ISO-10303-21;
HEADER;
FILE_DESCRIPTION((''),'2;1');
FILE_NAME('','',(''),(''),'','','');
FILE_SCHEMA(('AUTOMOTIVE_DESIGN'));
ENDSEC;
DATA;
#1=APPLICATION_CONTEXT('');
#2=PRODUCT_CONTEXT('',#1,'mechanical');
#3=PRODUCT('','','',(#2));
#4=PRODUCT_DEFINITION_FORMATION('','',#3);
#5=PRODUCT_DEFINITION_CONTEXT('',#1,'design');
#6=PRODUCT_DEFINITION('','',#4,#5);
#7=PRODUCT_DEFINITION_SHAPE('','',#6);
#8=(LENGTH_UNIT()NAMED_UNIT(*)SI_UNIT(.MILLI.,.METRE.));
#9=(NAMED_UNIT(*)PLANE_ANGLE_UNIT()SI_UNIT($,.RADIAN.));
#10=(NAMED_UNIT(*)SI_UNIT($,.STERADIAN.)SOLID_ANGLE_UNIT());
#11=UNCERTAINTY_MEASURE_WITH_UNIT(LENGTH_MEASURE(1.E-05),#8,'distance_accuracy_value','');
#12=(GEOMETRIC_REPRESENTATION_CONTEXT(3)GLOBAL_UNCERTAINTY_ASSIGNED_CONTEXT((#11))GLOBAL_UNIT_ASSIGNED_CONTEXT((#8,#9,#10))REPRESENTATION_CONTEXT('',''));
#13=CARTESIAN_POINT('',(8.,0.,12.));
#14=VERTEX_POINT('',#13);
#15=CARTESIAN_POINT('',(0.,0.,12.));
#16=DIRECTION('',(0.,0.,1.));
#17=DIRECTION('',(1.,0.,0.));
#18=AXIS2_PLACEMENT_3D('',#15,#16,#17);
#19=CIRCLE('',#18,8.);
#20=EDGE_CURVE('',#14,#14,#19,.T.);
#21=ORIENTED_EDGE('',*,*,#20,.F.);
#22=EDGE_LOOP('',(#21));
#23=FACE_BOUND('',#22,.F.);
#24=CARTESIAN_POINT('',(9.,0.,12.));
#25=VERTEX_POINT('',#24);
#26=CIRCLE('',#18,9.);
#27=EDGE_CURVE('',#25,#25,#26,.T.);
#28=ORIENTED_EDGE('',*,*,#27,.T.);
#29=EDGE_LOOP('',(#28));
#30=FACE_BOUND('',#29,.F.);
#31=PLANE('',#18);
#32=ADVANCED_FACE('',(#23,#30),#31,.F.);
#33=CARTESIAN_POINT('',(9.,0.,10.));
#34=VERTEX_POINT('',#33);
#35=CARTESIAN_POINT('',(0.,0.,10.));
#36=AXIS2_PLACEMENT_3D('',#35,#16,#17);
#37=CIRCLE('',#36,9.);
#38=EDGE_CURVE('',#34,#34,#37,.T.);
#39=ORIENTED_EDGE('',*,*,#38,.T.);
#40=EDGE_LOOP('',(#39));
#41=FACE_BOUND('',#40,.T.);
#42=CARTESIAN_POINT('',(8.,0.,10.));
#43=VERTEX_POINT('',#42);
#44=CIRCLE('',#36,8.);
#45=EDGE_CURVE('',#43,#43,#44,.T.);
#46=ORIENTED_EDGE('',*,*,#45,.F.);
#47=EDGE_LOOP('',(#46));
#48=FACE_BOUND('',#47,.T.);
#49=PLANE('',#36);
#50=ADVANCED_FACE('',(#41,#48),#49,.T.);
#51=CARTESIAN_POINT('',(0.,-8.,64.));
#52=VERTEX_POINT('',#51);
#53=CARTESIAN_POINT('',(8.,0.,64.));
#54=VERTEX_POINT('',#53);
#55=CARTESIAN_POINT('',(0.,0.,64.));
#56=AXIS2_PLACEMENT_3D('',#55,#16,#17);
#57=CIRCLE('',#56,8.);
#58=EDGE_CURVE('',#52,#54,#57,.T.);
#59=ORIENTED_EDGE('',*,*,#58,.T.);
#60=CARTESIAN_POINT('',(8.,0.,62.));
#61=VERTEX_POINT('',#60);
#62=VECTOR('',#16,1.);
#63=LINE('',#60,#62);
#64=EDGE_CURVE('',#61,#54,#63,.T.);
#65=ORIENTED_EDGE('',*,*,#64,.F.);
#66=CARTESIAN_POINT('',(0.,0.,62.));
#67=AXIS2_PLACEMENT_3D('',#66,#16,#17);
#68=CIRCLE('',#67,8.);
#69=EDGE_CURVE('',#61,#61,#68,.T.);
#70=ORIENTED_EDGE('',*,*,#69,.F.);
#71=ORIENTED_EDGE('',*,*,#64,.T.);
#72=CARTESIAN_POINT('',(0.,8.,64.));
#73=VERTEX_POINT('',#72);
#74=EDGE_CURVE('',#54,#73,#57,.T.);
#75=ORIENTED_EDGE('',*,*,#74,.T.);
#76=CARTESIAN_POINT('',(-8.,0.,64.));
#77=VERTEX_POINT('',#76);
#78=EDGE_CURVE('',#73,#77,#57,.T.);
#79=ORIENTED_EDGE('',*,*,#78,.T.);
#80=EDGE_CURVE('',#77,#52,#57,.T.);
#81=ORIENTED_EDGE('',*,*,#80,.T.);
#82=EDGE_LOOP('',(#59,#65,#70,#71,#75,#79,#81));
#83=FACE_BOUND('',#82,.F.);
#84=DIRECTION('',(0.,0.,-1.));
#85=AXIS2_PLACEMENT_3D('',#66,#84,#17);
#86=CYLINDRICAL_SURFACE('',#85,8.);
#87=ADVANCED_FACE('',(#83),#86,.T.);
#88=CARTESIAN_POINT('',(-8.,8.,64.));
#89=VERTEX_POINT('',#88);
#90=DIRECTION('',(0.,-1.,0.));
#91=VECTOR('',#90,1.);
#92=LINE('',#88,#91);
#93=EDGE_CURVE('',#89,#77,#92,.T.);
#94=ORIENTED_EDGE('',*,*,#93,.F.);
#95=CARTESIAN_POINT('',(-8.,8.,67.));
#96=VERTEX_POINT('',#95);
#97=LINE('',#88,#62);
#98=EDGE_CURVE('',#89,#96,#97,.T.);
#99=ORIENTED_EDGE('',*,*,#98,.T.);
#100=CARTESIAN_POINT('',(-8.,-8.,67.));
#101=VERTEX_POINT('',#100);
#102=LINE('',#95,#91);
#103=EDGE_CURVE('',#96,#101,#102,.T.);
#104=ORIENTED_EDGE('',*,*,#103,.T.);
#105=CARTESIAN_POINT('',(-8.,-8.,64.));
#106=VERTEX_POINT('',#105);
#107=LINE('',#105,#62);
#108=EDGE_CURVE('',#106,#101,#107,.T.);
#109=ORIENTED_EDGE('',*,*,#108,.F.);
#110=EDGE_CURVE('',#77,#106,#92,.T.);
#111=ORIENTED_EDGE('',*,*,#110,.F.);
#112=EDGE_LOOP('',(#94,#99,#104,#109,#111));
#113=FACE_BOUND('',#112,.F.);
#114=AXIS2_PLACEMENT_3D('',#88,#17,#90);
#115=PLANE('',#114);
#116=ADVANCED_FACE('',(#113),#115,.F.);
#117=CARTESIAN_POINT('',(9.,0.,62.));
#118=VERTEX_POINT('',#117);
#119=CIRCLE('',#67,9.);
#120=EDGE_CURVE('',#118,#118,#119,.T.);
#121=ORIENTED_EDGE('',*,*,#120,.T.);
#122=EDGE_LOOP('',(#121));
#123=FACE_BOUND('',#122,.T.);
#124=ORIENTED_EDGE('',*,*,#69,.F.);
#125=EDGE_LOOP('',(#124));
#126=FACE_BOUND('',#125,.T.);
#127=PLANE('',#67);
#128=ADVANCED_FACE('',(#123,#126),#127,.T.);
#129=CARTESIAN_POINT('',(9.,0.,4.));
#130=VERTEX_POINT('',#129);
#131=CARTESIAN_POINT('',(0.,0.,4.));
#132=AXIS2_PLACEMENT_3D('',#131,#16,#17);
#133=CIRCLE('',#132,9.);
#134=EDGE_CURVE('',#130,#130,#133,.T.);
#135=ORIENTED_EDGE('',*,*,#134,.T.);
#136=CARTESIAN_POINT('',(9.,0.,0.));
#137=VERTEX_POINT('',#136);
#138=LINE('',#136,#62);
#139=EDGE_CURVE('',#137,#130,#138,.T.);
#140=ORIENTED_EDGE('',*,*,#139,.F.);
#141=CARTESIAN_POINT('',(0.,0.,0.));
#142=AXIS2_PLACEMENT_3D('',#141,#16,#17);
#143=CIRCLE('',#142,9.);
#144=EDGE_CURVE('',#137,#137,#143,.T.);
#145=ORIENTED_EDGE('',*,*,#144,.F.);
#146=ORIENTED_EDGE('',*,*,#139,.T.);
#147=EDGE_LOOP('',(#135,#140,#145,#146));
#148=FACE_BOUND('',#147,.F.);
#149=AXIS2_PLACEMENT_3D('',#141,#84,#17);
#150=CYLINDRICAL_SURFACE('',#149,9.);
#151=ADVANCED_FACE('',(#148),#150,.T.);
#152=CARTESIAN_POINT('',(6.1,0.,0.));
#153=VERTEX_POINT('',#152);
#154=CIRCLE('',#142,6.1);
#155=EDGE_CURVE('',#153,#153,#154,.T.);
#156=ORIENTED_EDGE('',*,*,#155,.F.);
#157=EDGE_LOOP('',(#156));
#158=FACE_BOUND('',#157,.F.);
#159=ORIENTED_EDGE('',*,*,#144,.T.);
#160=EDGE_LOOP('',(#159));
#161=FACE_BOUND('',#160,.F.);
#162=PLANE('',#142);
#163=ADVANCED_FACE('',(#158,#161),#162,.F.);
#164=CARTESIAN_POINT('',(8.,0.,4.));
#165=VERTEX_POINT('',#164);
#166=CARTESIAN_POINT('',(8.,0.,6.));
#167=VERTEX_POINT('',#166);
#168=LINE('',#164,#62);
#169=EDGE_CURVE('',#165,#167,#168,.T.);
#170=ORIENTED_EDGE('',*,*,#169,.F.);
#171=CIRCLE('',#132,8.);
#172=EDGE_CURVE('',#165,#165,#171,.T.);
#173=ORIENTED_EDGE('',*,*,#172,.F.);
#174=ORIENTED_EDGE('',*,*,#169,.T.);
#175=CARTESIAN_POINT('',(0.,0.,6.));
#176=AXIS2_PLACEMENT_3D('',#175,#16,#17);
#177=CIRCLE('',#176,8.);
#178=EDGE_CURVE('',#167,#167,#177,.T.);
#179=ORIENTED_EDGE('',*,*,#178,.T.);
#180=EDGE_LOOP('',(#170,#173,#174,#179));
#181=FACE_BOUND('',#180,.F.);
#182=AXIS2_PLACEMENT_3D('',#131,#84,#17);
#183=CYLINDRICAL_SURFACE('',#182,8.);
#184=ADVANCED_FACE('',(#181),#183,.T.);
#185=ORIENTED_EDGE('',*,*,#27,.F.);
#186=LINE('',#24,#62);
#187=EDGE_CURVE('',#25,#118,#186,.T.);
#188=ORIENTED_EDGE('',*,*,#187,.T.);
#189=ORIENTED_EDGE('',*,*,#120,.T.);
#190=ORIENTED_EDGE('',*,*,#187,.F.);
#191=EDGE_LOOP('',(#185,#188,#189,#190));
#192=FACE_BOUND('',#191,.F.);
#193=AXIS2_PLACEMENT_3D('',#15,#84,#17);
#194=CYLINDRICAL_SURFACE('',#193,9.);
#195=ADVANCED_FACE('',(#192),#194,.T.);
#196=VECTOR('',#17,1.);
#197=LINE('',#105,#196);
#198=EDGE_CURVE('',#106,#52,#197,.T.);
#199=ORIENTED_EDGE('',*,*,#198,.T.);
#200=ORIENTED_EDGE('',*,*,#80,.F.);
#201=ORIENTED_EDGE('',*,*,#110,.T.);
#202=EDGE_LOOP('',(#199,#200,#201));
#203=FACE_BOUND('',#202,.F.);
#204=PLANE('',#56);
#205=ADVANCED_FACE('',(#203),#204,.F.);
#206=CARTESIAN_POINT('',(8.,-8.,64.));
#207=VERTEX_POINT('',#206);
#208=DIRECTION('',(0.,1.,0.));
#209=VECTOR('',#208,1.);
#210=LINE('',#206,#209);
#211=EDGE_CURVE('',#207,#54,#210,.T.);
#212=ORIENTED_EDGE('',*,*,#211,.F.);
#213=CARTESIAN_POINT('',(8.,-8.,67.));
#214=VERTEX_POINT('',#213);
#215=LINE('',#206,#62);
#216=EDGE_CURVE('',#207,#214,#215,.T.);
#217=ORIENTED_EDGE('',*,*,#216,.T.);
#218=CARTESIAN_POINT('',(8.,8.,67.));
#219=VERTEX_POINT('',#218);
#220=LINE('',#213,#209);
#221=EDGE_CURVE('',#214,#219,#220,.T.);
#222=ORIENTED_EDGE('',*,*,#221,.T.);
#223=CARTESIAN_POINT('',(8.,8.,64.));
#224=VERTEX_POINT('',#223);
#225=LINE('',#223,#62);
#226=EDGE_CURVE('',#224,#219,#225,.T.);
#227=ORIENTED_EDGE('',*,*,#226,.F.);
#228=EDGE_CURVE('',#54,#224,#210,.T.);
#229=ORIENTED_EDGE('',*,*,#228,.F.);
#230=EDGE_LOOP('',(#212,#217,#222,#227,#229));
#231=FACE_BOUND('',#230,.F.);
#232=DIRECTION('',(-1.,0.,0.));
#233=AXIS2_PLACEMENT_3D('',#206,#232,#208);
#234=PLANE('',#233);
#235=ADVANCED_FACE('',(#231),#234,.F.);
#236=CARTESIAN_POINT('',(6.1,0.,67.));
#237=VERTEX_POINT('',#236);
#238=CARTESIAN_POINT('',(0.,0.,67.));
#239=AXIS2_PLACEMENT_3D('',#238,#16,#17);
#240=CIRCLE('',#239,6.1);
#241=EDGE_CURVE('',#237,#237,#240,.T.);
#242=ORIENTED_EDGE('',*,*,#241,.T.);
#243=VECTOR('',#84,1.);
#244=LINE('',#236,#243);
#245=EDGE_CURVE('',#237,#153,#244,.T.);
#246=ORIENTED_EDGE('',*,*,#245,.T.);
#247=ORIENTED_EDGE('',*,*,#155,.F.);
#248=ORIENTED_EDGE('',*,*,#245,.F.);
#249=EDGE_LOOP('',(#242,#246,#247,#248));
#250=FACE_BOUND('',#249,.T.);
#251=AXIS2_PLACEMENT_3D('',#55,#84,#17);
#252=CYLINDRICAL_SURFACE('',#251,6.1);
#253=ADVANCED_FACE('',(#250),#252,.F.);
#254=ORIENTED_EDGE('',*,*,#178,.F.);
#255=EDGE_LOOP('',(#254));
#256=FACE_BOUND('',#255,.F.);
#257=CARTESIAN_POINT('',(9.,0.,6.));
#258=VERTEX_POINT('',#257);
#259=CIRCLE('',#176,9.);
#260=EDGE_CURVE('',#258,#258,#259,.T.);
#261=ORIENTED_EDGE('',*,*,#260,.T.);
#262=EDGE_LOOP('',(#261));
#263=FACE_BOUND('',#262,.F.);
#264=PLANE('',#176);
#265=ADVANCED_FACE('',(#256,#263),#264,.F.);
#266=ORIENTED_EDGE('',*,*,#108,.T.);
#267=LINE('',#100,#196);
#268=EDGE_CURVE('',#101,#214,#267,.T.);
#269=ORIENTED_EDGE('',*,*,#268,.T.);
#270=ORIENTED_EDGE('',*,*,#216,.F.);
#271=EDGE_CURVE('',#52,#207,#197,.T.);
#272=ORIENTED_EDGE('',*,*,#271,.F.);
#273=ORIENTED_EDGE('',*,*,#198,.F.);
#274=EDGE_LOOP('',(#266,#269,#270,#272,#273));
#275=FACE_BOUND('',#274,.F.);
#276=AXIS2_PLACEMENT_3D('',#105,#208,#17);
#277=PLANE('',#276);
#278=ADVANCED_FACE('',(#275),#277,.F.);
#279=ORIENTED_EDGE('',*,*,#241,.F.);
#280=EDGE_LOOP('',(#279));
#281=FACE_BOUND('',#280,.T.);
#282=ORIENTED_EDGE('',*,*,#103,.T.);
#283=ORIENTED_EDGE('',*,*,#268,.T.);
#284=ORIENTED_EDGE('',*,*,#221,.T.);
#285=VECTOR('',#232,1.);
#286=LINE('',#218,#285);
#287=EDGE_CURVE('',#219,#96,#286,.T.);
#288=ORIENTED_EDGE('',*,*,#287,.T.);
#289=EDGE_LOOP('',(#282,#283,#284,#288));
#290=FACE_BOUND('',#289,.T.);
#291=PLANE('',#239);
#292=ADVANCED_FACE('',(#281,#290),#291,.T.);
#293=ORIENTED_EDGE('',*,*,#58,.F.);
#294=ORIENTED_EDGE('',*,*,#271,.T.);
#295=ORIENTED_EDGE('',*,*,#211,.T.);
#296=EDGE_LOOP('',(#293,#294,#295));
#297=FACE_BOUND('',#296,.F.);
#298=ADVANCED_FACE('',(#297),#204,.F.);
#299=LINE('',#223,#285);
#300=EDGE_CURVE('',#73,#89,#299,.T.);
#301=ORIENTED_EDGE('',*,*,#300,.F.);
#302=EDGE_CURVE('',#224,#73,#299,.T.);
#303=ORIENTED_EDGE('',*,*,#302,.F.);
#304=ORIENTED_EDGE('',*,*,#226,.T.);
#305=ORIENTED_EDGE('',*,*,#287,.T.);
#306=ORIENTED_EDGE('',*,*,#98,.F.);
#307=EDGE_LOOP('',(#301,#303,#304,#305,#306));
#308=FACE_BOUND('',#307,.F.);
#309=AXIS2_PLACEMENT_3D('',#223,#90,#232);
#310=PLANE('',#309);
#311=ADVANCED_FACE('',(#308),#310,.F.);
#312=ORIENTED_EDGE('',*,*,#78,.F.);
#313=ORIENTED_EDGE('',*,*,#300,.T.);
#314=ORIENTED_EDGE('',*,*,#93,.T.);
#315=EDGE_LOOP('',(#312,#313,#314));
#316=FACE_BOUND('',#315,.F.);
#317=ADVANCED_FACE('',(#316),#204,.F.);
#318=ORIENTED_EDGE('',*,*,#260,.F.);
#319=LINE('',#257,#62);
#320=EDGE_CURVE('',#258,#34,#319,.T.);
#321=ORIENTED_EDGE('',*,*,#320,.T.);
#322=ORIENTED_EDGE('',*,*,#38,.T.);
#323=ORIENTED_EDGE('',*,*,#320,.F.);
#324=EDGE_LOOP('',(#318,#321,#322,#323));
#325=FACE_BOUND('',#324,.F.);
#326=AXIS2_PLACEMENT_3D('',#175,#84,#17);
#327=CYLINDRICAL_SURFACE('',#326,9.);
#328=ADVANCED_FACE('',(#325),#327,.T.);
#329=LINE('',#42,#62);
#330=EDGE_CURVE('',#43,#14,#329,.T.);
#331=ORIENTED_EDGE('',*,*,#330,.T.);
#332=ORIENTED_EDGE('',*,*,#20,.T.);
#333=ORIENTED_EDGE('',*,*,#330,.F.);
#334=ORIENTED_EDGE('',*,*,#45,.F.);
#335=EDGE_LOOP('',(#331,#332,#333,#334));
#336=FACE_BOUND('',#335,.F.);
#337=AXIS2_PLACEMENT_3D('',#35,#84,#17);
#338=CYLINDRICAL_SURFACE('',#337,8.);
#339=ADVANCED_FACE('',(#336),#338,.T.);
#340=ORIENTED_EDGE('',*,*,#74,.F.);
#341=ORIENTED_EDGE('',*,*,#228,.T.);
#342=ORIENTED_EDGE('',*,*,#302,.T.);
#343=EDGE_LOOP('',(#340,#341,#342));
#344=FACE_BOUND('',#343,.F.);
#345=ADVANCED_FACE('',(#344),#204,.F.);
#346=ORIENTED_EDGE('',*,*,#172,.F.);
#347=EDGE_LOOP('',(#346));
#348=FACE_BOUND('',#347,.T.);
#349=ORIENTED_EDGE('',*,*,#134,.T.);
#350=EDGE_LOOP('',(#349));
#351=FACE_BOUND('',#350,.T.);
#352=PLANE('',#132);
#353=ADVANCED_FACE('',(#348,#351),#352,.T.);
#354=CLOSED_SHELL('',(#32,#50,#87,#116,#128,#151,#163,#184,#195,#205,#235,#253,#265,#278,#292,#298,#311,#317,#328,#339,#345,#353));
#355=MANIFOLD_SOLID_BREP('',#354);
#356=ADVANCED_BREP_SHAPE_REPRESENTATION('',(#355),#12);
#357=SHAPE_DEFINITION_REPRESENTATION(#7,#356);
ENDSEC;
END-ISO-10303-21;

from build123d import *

# Parameters (mm, degrees)
F0_R      = 9
F0_R_2    = 6.1
F1_DEPTH  = 4
F2_R      = 8
F2_R_2    = 6.1
F3_DEPTH  = 2
F4_R      = 9
F4_R_2    = 8
F4_R_3    = 6.1
F5_DEPTH  = 4
F6_R      = 8
F6_R_2    = 6.1
F7_DEPTH  = 2
F8_R      = 9
F8_R_2    = 8
F8_R_3    = 6.1
F9_DEPTH  = 50
F10_R     = 8
F10_R_2   = 6.1
F11_DEPTH = 2
F12_R     = 6.1
F13_DEPTH = 3


with BuildPart() as f1:
    # F0 (on Top) → F1 (new body)
    with BuildSketch(Plane.XY):
        Circle(F0_R)
        Circle(F0_R_2, mode=Mode.SUBTRACT)
    extrude(amount=F1_DEPTH)

    # F2 (on face) → F3 (join)
    with BuildSketch(Plane.XY.offset(4)):
        Circle(F2_R)
        Circle(F2_R_2, mode=Mode.SUBTRACT)
    extrude(amount=F3_DEPTH)

    # F4 (on face) → F5 (join)
    with BuildSketch(Plane.XY.offset(6)):
        Circle(F4_R)
        Circle(F4_R_2, mode=Mode.SUBTRACT)
        Circle(F4_R_2)
        Circle(F4_R_3, mode=Mode.SUBTRACT)
    extrude(amount=F5_DEPTH)

    # F6 (on face) → F7 (join)
    with BuildSketch(Plane.XY.offset(10)):
        Circle(F6_R)
        Circle(F6_R_2, mode=Mode.SUBTRACT)
    extrude(amount=F7_DEPTH)

    # F8 (on face) → F9 (join)
    with BuildSketch(Plane.XY.offset(12)):
        Circle(F8_R)
        Circle(F8_R_2, mode=Mode.SUBTRACT)
        Circle(F8_R_2)
        Circle(F8_R_3, mode=Mode.SUBTRACT)
    extrude(amount=F9_DEPTH)

    # F10 (on face) → F11 (join)
    with BuildSketch(Plane.XY.offset(62)):
        Circle(F10_R)
        Circle(F10_R_2, mode=Mode.SUBTRACT)
    extrude(amount=F11_DEPTH)

    # F12 (on face) → F13 (join)
    with BuildSketch(Plane.XY.offset(64)):
        with BuildLine():
            ThreePointArc((8, 0), (5.6568542495, 5.6568542495), (0, 8))
            ThreePointArc((0, 8), (-5.6568542495, 5.6568542495), (-8, 0))
            ThreePointArc((-8, 0), (-5.6568542495, -5.6568542495), (0, -8))
            ThreePointArc((0, -8), (5.6568542495, -5.6568542495), (8, 0))
        make_face()
        Circle(F12_R, mode=Mode.SUBTRACT)
        with BuildLine():
            Line((0, 8), (-8, 8))
            Line((-8, 8), (-8, 0))
            ThreePointArc((-8, 0), (-5.6568542495, 5.6568542495), (0, 8))
        make_face()
        with BuildLine():
            ThreePointArc((0, -8), (-5.6568542495, -5.6568542495), (-8, 0))
            Line((-8, 0), (-8, -8))
            Line((-8, -8), (0, -8))
        make_face()
        with BuildLine():
            Line((8, -8), (8, 0))
            ThreePointArc((8, 0), (5.6568542495, -5.6568542495), (0, -8))
            Line((0, -8), (8, -8))
        make_face()
        with BuildLine():
            Line((8, 8), (0, 8))
            ThreePointArc((0, 8), (5.6568542495, 5.6568542495), (8, 0))
            Line((8, 0), (8, 8))
        make_face()
    extrude(amount=F13_DEPTH)


solid = f1.part
